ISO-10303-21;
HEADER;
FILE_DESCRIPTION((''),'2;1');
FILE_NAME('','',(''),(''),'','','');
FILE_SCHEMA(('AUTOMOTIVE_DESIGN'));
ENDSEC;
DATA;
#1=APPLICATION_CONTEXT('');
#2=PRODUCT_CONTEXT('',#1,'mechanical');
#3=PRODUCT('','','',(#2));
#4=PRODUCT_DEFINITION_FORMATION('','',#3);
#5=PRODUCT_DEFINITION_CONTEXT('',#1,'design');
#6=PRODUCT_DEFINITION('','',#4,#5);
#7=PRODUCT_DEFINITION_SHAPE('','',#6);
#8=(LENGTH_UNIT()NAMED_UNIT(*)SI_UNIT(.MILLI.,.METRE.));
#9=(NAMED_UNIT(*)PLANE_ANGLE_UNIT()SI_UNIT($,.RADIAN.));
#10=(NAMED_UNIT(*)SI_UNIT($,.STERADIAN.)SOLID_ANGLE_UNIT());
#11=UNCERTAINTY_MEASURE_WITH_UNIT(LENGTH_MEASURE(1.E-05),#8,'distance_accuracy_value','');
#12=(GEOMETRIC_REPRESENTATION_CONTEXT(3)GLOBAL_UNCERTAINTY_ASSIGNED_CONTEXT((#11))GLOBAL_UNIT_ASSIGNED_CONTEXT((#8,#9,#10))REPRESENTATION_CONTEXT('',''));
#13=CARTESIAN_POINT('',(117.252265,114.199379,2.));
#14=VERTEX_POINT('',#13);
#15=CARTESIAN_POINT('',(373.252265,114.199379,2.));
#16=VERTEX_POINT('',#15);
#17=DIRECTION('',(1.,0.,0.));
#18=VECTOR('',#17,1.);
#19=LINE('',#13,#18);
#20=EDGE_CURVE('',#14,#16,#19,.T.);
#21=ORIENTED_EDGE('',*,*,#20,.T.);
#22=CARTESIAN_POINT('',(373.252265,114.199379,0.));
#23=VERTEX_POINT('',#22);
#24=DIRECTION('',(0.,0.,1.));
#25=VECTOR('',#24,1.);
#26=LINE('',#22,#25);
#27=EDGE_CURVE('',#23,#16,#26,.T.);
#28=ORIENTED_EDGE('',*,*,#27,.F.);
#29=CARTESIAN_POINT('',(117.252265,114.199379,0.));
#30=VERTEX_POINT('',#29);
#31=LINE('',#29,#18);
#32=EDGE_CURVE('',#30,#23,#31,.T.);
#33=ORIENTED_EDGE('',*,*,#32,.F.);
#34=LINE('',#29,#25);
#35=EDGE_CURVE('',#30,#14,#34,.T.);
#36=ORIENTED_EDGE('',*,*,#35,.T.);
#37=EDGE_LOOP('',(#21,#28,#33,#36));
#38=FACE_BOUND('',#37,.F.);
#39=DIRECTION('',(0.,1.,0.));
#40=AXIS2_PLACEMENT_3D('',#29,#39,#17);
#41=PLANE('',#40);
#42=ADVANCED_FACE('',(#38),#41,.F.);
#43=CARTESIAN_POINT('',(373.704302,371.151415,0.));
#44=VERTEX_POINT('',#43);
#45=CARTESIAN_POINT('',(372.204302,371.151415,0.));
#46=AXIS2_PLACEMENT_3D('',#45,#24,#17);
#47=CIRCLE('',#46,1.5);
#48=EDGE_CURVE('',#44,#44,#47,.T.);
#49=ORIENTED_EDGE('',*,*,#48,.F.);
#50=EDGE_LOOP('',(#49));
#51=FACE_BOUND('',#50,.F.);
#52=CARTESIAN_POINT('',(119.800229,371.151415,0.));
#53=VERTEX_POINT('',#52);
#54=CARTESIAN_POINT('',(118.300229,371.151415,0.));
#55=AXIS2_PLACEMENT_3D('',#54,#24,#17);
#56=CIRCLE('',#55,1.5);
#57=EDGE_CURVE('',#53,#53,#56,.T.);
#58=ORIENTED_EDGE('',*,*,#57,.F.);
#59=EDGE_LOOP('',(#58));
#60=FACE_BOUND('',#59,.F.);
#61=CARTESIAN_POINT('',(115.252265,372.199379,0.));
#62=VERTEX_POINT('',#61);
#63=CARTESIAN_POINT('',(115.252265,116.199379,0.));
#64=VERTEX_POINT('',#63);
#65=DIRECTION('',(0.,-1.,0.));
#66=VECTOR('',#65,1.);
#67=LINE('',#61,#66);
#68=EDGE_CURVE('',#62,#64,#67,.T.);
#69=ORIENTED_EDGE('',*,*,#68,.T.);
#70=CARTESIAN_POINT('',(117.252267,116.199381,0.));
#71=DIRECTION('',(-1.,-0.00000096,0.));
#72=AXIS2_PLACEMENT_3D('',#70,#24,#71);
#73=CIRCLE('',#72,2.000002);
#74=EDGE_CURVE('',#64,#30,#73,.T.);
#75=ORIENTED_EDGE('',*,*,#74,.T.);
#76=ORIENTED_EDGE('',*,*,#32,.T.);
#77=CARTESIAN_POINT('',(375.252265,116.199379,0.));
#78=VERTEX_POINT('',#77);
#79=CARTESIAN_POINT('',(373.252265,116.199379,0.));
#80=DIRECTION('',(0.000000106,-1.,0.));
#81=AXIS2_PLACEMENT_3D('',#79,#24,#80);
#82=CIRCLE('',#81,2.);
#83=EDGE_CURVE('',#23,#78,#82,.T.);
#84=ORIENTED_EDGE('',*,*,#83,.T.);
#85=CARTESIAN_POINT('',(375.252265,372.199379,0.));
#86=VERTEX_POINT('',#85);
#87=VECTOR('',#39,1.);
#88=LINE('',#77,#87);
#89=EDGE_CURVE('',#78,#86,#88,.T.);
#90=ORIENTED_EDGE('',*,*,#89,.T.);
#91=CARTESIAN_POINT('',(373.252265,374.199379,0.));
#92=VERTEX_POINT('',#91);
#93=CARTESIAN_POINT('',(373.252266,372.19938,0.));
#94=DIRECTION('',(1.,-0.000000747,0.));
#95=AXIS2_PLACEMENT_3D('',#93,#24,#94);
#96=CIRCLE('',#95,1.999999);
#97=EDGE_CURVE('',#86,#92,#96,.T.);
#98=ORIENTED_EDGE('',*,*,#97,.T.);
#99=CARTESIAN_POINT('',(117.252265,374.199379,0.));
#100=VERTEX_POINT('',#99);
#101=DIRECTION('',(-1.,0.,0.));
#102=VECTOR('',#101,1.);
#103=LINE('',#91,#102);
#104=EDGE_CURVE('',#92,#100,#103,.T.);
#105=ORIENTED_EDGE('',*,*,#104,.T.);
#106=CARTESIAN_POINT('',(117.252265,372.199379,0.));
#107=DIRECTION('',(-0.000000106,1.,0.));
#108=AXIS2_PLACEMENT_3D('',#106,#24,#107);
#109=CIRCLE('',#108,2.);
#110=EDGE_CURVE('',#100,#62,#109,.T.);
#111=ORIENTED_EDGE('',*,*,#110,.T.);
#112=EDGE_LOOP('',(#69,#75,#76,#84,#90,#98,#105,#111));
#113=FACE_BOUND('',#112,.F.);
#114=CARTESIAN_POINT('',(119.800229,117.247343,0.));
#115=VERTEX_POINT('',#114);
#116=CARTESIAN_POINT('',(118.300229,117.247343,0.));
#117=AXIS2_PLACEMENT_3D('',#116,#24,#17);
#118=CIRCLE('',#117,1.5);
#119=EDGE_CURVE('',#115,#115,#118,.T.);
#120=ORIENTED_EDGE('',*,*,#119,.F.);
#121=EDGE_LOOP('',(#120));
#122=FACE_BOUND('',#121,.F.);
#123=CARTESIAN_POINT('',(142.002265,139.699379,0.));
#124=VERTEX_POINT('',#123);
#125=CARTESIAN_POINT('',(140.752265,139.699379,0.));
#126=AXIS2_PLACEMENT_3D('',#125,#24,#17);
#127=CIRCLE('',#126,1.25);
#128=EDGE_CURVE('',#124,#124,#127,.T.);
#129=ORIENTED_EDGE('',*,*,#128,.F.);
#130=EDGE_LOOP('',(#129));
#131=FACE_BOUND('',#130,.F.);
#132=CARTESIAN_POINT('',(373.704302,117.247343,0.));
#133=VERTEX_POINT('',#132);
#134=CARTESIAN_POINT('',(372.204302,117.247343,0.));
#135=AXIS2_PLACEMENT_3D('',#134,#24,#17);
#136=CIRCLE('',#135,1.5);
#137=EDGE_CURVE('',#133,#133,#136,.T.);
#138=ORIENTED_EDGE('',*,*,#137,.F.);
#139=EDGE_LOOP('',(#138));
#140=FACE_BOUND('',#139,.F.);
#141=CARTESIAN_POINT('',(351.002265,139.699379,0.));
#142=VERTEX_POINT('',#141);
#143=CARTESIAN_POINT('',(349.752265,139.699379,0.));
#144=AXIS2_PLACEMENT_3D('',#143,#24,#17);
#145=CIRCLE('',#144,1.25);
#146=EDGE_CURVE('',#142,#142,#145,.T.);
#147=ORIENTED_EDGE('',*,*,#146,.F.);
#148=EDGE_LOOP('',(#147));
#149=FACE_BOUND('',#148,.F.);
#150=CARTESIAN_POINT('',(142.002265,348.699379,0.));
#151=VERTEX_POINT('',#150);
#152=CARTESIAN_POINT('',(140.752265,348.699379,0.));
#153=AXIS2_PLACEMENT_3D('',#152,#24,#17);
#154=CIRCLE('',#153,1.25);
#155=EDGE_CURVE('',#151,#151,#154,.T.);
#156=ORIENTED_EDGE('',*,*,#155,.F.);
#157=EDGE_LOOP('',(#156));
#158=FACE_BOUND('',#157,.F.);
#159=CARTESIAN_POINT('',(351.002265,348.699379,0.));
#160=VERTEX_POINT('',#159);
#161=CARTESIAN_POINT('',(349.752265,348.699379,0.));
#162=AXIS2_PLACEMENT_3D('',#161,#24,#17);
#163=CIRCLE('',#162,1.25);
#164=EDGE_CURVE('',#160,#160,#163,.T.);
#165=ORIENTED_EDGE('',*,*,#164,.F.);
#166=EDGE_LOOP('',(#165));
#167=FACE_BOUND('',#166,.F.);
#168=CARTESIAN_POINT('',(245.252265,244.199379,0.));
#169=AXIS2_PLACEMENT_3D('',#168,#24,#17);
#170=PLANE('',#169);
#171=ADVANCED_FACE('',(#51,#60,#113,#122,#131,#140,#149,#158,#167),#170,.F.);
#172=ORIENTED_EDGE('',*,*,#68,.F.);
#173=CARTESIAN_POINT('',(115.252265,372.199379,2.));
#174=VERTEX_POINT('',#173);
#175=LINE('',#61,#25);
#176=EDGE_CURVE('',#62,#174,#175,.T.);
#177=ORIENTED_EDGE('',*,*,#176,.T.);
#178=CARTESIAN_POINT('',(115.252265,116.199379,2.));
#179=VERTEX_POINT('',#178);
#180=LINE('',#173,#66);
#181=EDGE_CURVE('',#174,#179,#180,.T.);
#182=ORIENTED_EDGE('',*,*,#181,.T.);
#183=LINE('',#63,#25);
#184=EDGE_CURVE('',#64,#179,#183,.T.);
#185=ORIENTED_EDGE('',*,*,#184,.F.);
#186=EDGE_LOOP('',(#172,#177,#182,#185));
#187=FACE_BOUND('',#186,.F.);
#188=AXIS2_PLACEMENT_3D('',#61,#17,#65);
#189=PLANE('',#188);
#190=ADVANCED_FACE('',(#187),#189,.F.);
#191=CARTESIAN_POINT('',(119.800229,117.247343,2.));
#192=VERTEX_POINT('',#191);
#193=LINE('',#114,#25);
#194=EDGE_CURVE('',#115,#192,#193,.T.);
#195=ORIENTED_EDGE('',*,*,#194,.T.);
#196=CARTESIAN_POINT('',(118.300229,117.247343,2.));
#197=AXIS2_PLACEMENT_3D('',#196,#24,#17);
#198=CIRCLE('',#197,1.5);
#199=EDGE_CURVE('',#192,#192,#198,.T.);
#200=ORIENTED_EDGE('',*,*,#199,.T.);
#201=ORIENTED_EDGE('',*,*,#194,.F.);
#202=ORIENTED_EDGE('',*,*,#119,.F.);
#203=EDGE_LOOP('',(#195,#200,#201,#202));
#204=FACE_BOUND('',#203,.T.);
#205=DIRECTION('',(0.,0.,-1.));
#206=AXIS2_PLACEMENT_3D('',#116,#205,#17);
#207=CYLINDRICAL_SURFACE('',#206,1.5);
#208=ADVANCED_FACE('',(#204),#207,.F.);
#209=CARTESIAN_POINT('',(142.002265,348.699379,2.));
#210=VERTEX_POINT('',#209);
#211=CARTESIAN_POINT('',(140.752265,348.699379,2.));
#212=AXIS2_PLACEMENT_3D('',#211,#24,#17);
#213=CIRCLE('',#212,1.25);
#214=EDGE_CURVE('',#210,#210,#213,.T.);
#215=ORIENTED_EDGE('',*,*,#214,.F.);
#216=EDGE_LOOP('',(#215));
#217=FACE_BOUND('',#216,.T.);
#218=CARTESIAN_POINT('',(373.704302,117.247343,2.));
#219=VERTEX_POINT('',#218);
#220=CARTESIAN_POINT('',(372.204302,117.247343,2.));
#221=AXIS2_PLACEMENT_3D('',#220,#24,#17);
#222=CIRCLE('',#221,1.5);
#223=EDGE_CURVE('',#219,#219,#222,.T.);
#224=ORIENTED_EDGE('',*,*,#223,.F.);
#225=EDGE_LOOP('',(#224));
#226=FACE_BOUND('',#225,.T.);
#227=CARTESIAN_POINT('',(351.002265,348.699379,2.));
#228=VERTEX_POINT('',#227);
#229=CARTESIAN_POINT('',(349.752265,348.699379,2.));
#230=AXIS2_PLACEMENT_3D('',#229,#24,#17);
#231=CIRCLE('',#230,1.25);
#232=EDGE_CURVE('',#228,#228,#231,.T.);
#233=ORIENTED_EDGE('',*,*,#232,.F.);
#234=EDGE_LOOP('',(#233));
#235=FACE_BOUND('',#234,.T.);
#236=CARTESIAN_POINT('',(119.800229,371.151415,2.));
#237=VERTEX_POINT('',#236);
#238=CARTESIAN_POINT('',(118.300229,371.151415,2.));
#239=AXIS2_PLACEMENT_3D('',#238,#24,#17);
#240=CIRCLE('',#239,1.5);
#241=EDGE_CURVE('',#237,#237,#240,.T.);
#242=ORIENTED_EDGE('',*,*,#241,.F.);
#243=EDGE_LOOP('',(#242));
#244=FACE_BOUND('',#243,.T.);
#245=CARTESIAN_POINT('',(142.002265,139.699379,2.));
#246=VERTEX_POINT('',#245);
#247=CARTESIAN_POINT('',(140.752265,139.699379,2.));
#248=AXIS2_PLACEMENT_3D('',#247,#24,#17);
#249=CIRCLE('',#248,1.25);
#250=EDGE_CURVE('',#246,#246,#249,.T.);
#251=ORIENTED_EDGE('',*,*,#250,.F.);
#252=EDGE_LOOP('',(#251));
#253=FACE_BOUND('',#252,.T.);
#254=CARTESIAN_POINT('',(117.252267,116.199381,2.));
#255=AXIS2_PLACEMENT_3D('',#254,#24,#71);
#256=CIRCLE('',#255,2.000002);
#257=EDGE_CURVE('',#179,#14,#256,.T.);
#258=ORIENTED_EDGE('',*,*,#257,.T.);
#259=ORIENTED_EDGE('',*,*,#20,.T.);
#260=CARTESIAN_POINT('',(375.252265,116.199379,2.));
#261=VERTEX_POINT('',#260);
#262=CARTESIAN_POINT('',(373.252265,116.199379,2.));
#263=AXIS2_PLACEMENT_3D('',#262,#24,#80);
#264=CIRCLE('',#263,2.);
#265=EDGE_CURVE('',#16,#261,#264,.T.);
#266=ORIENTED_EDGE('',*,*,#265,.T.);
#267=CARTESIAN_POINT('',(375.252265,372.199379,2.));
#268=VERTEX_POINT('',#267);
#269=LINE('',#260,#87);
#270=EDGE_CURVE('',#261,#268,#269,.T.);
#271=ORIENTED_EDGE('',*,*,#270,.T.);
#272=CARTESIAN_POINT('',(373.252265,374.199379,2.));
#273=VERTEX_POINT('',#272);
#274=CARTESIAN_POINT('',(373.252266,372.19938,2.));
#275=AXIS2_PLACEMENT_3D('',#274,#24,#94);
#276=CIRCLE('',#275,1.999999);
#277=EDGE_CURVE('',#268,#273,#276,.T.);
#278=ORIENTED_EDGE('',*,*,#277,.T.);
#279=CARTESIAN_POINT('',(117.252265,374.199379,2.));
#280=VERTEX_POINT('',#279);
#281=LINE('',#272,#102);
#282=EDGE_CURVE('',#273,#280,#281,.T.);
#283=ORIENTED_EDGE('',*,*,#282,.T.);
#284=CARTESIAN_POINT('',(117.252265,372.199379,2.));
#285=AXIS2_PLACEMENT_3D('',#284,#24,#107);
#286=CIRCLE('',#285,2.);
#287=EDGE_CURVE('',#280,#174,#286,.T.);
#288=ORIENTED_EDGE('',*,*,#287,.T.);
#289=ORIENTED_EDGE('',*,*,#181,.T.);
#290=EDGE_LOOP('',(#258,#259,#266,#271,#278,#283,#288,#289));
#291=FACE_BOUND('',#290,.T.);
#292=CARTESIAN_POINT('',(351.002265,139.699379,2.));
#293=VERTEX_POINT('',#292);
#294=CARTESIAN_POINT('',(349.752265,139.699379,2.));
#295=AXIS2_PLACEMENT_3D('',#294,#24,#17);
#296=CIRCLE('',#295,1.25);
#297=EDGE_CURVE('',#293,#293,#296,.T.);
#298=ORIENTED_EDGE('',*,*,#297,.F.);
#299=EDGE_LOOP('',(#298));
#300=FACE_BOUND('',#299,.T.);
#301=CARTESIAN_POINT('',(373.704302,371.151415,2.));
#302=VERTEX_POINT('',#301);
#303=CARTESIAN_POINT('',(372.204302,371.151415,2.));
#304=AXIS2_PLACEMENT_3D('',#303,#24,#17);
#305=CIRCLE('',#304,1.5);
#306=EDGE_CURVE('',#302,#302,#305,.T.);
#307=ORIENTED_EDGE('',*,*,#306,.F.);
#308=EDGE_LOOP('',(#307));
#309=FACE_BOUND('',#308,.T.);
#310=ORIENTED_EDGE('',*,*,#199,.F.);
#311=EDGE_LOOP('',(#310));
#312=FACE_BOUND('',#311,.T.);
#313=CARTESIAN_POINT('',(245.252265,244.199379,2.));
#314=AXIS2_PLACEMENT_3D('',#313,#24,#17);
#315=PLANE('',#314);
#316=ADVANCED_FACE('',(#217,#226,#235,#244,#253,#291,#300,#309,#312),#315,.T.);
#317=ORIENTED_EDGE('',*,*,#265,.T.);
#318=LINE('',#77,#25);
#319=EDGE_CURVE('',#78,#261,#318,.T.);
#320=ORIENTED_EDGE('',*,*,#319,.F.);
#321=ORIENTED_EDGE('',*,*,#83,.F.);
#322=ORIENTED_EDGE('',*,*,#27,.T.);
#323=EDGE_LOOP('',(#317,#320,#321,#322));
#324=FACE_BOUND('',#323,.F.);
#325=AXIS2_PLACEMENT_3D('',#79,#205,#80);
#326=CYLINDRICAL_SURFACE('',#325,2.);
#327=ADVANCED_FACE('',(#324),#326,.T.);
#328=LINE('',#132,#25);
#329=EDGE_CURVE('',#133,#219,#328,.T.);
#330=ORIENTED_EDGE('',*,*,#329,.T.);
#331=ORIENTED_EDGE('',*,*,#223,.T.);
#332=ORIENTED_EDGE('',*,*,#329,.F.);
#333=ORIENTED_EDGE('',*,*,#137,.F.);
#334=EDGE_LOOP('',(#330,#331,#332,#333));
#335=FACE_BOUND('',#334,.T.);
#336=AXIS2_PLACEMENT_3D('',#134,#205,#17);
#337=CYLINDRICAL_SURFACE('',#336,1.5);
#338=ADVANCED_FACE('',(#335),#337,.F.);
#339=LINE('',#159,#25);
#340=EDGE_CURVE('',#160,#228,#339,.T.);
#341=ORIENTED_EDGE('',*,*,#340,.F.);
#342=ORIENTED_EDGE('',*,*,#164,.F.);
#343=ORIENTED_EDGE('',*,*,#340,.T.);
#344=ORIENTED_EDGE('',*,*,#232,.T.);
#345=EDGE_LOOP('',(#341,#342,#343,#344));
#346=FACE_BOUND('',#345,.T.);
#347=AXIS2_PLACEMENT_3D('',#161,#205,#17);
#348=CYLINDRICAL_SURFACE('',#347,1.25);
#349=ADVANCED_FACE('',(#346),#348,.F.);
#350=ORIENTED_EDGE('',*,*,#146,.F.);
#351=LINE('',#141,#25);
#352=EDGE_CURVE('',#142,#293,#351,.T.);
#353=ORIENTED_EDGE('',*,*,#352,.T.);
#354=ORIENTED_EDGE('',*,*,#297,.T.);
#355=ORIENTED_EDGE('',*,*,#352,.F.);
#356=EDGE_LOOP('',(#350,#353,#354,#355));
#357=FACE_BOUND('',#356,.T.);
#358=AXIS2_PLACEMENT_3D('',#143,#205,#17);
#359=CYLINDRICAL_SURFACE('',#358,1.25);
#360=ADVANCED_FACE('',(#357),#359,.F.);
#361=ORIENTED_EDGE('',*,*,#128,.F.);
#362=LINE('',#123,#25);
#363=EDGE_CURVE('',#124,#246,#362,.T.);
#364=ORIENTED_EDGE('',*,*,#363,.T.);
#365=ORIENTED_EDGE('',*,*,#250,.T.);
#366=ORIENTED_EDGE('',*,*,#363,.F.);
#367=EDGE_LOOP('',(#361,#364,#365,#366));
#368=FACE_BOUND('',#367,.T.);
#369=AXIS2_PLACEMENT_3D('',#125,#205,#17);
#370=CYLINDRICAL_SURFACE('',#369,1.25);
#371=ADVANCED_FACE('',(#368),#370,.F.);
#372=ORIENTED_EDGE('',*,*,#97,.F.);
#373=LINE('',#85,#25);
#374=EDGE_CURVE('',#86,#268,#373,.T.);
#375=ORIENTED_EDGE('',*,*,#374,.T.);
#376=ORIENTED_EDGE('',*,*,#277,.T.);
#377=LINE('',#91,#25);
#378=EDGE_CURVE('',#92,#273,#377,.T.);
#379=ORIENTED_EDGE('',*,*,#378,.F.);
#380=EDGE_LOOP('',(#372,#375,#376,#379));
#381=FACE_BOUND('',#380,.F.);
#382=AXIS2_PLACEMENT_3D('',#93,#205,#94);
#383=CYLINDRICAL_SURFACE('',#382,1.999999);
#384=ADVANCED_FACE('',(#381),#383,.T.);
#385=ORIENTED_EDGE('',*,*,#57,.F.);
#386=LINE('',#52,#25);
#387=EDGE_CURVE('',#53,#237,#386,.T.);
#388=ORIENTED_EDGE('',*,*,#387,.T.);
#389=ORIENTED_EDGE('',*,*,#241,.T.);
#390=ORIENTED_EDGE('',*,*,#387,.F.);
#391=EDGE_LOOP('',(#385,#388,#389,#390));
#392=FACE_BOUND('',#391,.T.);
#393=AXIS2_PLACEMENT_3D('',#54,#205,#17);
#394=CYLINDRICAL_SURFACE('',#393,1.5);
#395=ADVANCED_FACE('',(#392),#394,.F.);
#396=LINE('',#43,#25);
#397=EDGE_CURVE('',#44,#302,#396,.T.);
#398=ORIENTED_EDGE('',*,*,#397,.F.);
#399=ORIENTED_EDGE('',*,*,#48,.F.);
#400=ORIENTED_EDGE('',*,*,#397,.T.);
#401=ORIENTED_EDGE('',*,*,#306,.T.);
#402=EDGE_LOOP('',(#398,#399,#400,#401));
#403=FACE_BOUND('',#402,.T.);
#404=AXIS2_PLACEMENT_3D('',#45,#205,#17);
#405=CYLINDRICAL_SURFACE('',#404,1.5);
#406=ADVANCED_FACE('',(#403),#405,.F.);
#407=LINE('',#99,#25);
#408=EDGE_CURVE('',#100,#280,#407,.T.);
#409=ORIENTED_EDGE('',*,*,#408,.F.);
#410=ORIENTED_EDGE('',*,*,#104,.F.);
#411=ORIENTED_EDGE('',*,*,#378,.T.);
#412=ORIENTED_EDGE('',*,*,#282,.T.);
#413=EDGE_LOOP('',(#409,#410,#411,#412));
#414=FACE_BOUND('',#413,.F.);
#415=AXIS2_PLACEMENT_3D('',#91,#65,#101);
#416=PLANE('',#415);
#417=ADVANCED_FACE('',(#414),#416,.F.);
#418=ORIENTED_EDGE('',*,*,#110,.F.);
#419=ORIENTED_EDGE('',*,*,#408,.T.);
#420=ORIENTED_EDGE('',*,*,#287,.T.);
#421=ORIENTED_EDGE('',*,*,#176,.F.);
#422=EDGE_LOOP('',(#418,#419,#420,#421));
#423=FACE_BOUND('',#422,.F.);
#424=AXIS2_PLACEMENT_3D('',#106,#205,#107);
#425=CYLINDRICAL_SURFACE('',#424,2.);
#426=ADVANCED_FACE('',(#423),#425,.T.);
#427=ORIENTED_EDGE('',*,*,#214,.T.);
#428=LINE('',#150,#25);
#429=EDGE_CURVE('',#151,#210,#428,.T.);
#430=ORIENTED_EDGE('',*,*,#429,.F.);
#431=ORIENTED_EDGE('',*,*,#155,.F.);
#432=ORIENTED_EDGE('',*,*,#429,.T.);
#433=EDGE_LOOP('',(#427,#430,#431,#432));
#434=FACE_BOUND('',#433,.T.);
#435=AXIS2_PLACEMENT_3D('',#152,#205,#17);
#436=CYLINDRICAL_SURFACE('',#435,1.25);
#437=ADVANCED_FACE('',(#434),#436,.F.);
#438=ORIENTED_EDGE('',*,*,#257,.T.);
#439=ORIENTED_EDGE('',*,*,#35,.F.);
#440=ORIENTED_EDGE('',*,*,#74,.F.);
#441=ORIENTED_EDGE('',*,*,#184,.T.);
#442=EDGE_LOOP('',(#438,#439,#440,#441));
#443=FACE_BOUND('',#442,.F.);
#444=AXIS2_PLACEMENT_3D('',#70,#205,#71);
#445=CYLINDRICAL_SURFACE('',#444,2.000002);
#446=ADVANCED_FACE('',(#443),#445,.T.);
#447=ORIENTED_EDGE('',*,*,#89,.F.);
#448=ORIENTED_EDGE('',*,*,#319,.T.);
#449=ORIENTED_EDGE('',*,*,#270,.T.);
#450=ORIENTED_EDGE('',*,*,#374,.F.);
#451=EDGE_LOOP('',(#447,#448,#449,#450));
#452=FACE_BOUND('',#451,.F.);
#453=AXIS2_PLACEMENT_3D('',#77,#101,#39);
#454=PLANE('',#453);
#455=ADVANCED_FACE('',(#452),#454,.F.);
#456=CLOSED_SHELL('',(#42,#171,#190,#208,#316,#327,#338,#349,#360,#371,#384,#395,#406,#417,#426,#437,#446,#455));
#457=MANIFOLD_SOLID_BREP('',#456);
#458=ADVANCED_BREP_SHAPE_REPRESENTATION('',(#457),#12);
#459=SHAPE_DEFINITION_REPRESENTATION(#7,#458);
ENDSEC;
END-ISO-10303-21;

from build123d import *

# Parameters (mm, degrees)
F0_R     = 1.5
F0_R_2   = 1.25
F1_DEPTH = 2


with BuildPart() as f1:
    # F0 (on Top) → F1 (new body)
    with BuildSketch(Plane.XY):
        with BuildLine():
            ThreePointArc((115.252265, 116.199379), (115.838052, 114.785166), (117.252265, 114.199379))
            Line((117.252265, 114.199379), (373.252265, 114.199379))
            ThreePointArc((373.252265, 114.199379), (374.666479, 114.785166), (375.252265, 116.199379))
            Line((375.252265, 116.199379), (375.252265, 372.199379))
            ThreePointArc((375.252265, 372.199379), (374.666479, 373.613593), (373.252265, 374.199379))
            Line((373.252265, 374.199379), (117.252265, 374.199379))
            ThreePointArc((117.252265, 374.199379), (115.838052, 373.613593), (115.252265, 372.199379))
            Line((115.252265, 372.199379), (115.252265, 116.199379))
        make_face()
        with Locations((118.300229, 117.247343)):
            Circle(F0_R, mode=Mode.SUBTRACT)
        with Locations((140.752265, 139.699379)):
            Circle(F0_R_2, mode=Mode.SUBTRACT)
        with Locations((372.204302, 117.247343)):
            Circle(F0_R, mode=Mode.SUBTRACT)
        with Locations((349.752265, 139.699379)):
            Circle(F0_R_2, mode=Mode.SUBTRACT)
        with Locations((118.300229, 371.151415)):
            Circle(F0_R, mode=Mode.SUBTRACT)
        with Locations((140.752265, 348.699379)):
            Circle(F0_R_2, mode=Mode.SUBTRACT)
        with Locations((349.752265, 348.699379)):
            Circle(F0_R_2, mode=Mode.SUBTRACT)
        with Locations((372.204302, 371.151415)):
            Circle(F0_R, mode=Mode.SUBTRACT)
    extrude(amount=F1_DEPTH)


solid = f1.part
